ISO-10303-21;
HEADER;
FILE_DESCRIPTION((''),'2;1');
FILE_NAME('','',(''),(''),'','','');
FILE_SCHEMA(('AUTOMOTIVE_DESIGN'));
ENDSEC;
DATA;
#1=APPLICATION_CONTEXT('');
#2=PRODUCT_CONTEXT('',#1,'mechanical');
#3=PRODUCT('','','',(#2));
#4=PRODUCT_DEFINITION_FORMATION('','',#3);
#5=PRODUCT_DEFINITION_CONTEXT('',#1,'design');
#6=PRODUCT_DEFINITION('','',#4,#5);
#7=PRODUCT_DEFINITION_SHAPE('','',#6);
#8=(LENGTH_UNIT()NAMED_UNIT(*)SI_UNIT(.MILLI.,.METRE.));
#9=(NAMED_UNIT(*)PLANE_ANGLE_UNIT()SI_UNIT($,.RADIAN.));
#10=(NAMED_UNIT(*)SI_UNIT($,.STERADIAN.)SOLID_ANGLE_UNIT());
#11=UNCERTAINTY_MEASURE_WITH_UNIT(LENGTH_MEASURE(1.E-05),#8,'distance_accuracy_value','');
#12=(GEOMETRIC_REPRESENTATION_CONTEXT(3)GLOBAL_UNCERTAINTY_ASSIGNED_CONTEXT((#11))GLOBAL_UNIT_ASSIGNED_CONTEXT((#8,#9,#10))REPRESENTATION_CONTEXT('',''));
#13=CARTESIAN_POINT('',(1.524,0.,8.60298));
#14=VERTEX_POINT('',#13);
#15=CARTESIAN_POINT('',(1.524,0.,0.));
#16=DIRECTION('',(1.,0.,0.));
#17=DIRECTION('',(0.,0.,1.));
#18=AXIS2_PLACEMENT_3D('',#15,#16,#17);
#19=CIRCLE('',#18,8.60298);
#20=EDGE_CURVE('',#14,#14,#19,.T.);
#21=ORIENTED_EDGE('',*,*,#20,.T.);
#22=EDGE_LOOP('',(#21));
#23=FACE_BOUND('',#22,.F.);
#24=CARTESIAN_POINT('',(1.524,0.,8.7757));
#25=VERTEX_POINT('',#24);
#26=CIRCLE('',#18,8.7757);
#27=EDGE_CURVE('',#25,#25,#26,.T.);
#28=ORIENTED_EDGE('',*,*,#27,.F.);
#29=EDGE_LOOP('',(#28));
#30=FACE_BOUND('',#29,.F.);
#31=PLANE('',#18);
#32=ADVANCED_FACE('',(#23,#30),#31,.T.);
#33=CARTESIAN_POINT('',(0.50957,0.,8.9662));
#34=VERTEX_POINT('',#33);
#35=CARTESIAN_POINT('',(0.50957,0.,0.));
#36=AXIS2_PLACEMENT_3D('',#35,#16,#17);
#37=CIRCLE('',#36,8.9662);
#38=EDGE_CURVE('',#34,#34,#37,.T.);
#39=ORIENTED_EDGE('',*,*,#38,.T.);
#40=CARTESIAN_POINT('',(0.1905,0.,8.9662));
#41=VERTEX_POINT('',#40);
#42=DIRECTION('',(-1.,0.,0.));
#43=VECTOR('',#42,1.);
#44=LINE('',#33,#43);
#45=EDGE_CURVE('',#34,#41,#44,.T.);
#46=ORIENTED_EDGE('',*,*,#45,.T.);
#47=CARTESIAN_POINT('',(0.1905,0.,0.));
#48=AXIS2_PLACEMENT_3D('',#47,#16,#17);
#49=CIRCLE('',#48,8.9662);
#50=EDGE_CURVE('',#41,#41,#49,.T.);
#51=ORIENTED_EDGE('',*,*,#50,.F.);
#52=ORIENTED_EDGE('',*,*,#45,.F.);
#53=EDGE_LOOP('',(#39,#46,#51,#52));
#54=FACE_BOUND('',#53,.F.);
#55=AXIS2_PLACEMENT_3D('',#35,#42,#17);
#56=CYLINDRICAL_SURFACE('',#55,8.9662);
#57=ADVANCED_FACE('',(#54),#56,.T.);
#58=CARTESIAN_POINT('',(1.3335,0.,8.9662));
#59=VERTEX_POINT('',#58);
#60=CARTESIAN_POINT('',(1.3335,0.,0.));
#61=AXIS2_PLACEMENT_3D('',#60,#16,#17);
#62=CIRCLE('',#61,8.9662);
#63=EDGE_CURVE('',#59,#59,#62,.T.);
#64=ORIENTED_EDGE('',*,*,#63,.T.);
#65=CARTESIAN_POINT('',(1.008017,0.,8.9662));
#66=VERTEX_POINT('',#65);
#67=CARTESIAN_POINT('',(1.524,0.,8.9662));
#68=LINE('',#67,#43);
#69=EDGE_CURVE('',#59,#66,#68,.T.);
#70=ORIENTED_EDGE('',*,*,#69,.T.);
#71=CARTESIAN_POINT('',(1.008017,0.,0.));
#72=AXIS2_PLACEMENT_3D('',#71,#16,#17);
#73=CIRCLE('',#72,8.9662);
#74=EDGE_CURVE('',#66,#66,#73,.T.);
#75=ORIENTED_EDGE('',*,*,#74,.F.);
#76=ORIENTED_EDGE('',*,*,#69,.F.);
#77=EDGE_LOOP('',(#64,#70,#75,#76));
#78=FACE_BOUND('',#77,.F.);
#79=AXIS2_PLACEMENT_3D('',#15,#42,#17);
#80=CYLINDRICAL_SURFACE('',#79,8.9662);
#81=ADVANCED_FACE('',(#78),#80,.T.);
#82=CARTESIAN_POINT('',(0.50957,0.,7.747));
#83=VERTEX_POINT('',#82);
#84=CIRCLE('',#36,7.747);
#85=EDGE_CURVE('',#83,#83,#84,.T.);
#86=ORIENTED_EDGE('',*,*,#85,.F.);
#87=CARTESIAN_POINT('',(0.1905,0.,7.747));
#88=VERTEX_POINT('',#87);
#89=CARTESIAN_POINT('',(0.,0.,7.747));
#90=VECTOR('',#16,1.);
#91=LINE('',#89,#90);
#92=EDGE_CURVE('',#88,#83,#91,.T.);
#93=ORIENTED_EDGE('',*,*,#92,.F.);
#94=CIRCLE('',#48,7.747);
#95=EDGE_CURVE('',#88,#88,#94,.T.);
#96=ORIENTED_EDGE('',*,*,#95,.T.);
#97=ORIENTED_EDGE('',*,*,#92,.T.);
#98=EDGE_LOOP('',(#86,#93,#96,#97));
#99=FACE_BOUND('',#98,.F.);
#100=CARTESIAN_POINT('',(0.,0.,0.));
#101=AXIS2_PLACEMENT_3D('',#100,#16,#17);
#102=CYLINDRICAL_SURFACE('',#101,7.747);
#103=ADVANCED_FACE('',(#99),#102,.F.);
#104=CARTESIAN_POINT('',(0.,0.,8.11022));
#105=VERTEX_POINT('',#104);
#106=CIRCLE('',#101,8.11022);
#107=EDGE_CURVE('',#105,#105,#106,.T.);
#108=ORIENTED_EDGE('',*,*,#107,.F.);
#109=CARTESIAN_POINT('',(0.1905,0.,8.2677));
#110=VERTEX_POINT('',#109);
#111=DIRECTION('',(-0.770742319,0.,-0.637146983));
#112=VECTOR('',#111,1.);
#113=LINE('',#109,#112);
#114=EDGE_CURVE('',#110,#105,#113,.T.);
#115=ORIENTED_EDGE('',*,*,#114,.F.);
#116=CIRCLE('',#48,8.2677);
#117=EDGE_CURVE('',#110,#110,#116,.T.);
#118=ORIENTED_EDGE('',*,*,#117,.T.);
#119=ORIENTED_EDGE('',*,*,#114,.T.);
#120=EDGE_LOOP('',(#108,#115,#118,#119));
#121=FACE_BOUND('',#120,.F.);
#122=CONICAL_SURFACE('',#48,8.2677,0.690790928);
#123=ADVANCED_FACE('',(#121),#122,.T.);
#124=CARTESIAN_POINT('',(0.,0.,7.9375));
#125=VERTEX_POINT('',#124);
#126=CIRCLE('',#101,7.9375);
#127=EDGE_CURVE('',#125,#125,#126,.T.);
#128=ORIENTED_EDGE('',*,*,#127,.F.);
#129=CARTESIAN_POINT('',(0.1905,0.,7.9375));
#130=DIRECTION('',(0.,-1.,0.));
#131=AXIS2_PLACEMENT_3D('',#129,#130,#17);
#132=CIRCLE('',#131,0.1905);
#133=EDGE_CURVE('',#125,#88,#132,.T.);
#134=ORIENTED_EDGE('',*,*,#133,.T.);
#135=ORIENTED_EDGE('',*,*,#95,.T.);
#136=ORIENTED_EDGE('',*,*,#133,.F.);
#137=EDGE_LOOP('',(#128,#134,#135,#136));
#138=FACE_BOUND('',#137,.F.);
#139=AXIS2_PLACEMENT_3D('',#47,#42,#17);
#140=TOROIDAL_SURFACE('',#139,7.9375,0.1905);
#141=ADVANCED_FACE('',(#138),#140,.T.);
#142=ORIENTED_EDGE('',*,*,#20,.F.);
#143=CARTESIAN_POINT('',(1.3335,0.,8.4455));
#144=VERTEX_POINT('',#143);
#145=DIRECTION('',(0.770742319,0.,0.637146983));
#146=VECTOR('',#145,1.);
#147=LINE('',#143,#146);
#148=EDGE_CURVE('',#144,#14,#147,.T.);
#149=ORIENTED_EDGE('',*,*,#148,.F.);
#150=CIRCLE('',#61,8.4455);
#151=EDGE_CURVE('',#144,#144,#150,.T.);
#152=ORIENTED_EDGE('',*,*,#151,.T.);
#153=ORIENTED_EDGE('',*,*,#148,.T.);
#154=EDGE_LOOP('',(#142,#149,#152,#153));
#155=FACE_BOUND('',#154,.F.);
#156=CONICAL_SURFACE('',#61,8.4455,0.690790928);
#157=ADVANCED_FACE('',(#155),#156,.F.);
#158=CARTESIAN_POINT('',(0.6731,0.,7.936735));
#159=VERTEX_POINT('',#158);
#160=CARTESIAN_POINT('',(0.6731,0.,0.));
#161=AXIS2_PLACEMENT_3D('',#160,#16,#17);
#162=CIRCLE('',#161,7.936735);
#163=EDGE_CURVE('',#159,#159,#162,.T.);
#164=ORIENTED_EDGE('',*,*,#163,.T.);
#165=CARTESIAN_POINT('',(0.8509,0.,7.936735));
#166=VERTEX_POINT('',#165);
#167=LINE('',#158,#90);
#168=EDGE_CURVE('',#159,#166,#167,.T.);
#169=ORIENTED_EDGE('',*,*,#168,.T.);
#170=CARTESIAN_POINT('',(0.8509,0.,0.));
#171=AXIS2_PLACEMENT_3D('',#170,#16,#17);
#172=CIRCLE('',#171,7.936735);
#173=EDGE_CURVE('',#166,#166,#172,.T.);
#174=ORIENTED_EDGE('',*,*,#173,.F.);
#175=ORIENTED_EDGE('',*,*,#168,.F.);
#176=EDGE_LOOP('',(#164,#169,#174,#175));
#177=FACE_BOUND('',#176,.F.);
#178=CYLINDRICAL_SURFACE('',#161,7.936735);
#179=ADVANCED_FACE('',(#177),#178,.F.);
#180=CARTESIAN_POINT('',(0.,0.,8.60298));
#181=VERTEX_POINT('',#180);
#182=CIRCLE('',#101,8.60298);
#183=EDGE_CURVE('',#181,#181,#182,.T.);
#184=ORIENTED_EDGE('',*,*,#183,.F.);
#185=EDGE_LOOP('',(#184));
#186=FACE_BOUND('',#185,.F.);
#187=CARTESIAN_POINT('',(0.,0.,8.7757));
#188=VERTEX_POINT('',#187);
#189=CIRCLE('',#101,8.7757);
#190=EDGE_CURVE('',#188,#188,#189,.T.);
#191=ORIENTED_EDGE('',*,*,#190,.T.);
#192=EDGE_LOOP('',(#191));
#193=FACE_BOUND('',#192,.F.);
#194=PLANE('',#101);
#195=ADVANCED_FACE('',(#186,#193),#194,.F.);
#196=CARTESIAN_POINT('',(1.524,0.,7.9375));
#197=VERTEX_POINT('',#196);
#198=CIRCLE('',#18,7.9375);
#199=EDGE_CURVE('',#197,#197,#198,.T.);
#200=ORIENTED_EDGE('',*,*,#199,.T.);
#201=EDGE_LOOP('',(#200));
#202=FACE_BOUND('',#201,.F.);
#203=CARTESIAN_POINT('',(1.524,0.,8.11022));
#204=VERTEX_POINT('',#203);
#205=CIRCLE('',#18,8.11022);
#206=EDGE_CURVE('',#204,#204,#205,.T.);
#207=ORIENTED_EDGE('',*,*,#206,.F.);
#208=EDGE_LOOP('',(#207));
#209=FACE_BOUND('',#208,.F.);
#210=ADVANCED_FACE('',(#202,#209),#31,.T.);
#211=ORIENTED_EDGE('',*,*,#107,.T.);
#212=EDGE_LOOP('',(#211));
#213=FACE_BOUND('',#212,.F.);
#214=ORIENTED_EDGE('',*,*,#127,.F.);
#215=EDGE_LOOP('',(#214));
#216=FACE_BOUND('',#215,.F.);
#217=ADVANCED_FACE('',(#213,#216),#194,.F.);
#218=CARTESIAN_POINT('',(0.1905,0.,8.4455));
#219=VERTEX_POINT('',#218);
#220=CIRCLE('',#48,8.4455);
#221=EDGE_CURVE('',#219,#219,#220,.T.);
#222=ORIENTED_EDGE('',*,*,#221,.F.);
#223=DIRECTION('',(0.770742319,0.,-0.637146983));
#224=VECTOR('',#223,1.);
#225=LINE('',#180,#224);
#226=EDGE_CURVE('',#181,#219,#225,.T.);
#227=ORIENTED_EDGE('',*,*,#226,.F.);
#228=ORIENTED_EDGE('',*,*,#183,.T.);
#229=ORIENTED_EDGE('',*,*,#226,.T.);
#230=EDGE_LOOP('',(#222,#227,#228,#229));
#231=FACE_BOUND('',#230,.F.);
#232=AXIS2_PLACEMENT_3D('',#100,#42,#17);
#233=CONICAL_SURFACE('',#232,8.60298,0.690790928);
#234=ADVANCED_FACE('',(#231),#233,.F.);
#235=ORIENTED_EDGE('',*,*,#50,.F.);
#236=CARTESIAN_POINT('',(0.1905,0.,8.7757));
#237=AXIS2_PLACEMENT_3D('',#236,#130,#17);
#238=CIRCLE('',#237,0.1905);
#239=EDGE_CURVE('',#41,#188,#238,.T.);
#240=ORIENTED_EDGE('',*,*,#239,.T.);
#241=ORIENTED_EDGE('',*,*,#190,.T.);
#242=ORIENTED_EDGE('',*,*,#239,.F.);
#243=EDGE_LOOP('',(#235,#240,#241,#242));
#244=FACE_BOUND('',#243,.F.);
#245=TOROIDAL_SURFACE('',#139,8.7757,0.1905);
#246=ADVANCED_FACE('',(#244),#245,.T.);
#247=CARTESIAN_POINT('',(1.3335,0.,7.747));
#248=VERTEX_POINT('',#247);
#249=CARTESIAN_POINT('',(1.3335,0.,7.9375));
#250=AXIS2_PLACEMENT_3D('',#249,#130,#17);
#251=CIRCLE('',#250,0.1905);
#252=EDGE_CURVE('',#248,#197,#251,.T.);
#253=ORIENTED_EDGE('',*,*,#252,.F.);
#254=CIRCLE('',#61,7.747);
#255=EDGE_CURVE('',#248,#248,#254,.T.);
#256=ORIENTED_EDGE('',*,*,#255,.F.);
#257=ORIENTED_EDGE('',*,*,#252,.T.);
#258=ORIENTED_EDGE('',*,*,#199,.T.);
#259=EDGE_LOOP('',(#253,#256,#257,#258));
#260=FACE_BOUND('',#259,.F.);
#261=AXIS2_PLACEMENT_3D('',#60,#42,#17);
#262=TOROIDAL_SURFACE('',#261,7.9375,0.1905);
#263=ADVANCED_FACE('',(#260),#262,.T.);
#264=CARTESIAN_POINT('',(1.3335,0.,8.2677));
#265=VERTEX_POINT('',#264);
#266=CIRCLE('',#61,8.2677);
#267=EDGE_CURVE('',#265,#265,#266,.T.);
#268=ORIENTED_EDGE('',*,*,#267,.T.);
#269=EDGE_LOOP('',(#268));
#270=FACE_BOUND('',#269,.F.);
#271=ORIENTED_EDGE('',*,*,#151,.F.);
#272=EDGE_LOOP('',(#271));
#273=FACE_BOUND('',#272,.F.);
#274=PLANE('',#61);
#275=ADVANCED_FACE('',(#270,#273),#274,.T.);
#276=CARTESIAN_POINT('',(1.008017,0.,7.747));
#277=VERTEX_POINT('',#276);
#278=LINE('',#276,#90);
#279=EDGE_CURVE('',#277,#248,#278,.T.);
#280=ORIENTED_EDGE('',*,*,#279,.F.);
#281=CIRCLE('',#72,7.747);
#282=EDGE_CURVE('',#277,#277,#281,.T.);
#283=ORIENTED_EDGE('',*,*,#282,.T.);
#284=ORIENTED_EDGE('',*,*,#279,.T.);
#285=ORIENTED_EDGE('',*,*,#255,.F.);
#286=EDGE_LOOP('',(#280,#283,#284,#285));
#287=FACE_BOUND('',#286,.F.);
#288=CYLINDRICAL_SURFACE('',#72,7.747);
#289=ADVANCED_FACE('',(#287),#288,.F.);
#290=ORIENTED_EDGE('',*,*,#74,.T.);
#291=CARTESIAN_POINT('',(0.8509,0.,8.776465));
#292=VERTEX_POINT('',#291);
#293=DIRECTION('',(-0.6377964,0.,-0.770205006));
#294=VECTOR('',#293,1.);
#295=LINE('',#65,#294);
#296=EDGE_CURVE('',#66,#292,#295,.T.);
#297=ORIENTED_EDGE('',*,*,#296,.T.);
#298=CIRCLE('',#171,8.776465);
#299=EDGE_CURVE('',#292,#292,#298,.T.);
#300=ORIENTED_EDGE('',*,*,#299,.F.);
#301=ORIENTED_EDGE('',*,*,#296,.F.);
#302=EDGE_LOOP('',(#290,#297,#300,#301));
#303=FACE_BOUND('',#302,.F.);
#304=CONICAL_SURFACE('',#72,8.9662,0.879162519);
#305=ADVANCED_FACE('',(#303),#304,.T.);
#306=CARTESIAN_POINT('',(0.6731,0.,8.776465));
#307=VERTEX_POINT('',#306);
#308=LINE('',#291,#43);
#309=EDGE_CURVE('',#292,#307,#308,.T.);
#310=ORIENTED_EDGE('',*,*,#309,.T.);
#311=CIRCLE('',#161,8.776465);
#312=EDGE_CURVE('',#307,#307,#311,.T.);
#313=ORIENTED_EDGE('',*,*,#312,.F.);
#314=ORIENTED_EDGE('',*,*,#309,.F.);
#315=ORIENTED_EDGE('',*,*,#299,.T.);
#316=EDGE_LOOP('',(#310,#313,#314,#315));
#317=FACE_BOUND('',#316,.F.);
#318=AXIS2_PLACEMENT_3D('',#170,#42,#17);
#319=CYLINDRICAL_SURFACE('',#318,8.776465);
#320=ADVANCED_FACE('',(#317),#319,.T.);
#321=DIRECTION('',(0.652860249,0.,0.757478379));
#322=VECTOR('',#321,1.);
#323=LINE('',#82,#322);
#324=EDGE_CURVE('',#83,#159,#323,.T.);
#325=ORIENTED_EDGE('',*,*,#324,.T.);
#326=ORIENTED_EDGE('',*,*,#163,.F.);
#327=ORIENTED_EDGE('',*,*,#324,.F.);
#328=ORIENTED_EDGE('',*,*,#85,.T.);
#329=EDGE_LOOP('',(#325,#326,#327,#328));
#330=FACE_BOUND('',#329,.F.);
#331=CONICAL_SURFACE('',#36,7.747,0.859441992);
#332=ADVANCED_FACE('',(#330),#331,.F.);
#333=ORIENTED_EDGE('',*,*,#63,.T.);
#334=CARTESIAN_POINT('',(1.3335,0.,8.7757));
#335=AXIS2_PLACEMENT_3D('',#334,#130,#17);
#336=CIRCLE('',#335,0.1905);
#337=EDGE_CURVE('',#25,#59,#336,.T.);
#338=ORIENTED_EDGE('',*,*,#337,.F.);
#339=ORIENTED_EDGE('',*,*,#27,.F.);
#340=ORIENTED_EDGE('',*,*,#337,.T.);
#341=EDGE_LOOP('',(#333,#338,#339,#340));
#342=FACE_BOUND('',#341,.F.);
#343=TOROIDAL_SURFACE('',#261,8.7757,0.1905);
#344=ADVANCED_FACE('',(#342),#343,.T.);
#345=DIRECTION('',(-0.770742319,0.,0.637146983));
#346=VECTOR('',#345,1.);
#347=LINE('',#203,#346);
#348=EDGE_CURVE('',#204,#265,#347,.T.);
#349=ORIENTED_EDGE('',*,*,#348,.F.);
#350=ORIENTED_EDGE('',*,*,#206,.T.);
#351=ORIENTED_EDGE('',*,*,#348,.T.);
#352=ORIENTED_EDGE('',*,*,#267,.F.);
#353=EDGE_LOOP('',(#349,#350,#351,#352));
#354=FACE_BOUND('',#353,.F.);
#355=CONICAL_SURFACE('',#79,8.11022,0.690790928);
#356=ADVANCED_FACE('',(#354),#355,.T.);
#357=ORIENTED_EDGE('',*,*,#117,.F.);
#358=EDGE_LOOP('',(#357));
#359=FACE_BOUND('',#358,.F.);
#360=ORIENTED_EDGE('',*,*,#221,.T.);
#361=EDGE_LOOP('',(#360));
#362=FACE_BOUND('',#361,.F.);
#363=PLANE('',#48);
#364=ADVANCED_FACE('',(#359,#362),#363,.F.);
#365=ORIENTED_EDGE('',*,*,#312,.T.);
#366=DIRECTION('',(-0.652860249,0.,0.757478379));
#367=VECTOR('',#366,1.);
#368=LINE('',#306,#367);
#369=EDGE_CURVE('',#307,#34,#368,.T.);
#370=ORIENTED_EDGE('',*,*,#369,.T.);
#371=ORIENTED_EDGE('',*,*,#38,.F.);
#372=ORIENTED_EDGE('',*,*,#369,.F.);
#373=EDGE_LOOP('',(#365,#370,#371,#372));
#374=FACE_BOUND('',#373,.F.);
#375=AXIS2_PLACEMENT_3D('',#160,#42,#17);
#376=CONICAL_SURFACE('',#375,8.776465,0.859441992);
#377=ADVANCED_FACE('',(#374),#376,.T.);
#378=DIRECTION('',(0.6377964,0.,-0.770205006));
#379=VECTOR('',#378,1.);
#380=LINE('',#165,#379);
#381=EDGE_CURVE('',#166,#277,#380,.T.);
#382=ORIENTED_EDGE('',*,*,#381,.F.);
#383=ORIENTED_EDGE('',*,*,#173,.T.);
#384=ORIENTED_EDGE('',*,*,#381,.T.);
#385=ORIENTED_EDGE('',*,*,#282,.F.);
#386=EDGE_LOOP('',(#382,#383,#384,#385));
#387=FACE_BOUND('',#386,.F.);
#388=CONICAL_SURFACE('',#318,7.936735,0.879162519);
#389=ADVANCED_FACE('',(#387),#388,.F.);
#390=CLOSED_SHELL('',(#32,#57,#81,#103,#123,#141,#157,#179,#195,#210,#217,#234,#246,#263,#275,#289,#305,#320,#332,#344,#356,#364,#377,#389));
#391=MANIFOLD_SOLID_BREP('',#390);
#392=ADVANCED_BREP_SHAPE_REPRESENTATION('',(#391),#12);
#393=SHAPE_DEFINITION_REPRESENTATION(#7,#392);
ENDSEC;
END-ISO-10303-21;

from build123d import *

# Parameters (mm, degrees)
F2_R = 0.1905


with BuildPart() as f1:
    # F0 (on Front) → F1 (revolve)
    with BuildSketch(Plane.XZ):
        Polygon((0, 8.11022), (0, 7.747), (0.50957, 7.747), (0.6731, 7.936735), (0.762, 7.936735), (0.8509, 7.936735), (1.008017, 7.747), (1.524, 7.747), (1.524, 8.11022), (1.3335, 8.2677), (1.3335, 8.3566), (1.3335, 8.4455), (1.524, 8.60298), (1.524, 8.9662), (1.008017, 8.9662), (0.8509, 8.776465), (0.762, 8.776465), (0.6731, 8.776465), (0.50957, 8.9662), (0, 8.9662), (0, 8.60298), (0.1905, 8.4455), (0.1905, 8.3566), (0.1905, 8.2677), align=None)
    revolve(axis=Axis((0.474345, 0, 0), (1, 0, 0)))

    # F2
    f2_edges = [f1.edges().sort_by_distance(p)[0] for p in [
        (0, 0, -8.9662),
        (1.524, 0, -8.9662),
        (0, 0, -7.747),
        (1.524, 0, -7.747),
    ]]
    fillet(f2_edges, radius=F2_R)


solid = f1.part
